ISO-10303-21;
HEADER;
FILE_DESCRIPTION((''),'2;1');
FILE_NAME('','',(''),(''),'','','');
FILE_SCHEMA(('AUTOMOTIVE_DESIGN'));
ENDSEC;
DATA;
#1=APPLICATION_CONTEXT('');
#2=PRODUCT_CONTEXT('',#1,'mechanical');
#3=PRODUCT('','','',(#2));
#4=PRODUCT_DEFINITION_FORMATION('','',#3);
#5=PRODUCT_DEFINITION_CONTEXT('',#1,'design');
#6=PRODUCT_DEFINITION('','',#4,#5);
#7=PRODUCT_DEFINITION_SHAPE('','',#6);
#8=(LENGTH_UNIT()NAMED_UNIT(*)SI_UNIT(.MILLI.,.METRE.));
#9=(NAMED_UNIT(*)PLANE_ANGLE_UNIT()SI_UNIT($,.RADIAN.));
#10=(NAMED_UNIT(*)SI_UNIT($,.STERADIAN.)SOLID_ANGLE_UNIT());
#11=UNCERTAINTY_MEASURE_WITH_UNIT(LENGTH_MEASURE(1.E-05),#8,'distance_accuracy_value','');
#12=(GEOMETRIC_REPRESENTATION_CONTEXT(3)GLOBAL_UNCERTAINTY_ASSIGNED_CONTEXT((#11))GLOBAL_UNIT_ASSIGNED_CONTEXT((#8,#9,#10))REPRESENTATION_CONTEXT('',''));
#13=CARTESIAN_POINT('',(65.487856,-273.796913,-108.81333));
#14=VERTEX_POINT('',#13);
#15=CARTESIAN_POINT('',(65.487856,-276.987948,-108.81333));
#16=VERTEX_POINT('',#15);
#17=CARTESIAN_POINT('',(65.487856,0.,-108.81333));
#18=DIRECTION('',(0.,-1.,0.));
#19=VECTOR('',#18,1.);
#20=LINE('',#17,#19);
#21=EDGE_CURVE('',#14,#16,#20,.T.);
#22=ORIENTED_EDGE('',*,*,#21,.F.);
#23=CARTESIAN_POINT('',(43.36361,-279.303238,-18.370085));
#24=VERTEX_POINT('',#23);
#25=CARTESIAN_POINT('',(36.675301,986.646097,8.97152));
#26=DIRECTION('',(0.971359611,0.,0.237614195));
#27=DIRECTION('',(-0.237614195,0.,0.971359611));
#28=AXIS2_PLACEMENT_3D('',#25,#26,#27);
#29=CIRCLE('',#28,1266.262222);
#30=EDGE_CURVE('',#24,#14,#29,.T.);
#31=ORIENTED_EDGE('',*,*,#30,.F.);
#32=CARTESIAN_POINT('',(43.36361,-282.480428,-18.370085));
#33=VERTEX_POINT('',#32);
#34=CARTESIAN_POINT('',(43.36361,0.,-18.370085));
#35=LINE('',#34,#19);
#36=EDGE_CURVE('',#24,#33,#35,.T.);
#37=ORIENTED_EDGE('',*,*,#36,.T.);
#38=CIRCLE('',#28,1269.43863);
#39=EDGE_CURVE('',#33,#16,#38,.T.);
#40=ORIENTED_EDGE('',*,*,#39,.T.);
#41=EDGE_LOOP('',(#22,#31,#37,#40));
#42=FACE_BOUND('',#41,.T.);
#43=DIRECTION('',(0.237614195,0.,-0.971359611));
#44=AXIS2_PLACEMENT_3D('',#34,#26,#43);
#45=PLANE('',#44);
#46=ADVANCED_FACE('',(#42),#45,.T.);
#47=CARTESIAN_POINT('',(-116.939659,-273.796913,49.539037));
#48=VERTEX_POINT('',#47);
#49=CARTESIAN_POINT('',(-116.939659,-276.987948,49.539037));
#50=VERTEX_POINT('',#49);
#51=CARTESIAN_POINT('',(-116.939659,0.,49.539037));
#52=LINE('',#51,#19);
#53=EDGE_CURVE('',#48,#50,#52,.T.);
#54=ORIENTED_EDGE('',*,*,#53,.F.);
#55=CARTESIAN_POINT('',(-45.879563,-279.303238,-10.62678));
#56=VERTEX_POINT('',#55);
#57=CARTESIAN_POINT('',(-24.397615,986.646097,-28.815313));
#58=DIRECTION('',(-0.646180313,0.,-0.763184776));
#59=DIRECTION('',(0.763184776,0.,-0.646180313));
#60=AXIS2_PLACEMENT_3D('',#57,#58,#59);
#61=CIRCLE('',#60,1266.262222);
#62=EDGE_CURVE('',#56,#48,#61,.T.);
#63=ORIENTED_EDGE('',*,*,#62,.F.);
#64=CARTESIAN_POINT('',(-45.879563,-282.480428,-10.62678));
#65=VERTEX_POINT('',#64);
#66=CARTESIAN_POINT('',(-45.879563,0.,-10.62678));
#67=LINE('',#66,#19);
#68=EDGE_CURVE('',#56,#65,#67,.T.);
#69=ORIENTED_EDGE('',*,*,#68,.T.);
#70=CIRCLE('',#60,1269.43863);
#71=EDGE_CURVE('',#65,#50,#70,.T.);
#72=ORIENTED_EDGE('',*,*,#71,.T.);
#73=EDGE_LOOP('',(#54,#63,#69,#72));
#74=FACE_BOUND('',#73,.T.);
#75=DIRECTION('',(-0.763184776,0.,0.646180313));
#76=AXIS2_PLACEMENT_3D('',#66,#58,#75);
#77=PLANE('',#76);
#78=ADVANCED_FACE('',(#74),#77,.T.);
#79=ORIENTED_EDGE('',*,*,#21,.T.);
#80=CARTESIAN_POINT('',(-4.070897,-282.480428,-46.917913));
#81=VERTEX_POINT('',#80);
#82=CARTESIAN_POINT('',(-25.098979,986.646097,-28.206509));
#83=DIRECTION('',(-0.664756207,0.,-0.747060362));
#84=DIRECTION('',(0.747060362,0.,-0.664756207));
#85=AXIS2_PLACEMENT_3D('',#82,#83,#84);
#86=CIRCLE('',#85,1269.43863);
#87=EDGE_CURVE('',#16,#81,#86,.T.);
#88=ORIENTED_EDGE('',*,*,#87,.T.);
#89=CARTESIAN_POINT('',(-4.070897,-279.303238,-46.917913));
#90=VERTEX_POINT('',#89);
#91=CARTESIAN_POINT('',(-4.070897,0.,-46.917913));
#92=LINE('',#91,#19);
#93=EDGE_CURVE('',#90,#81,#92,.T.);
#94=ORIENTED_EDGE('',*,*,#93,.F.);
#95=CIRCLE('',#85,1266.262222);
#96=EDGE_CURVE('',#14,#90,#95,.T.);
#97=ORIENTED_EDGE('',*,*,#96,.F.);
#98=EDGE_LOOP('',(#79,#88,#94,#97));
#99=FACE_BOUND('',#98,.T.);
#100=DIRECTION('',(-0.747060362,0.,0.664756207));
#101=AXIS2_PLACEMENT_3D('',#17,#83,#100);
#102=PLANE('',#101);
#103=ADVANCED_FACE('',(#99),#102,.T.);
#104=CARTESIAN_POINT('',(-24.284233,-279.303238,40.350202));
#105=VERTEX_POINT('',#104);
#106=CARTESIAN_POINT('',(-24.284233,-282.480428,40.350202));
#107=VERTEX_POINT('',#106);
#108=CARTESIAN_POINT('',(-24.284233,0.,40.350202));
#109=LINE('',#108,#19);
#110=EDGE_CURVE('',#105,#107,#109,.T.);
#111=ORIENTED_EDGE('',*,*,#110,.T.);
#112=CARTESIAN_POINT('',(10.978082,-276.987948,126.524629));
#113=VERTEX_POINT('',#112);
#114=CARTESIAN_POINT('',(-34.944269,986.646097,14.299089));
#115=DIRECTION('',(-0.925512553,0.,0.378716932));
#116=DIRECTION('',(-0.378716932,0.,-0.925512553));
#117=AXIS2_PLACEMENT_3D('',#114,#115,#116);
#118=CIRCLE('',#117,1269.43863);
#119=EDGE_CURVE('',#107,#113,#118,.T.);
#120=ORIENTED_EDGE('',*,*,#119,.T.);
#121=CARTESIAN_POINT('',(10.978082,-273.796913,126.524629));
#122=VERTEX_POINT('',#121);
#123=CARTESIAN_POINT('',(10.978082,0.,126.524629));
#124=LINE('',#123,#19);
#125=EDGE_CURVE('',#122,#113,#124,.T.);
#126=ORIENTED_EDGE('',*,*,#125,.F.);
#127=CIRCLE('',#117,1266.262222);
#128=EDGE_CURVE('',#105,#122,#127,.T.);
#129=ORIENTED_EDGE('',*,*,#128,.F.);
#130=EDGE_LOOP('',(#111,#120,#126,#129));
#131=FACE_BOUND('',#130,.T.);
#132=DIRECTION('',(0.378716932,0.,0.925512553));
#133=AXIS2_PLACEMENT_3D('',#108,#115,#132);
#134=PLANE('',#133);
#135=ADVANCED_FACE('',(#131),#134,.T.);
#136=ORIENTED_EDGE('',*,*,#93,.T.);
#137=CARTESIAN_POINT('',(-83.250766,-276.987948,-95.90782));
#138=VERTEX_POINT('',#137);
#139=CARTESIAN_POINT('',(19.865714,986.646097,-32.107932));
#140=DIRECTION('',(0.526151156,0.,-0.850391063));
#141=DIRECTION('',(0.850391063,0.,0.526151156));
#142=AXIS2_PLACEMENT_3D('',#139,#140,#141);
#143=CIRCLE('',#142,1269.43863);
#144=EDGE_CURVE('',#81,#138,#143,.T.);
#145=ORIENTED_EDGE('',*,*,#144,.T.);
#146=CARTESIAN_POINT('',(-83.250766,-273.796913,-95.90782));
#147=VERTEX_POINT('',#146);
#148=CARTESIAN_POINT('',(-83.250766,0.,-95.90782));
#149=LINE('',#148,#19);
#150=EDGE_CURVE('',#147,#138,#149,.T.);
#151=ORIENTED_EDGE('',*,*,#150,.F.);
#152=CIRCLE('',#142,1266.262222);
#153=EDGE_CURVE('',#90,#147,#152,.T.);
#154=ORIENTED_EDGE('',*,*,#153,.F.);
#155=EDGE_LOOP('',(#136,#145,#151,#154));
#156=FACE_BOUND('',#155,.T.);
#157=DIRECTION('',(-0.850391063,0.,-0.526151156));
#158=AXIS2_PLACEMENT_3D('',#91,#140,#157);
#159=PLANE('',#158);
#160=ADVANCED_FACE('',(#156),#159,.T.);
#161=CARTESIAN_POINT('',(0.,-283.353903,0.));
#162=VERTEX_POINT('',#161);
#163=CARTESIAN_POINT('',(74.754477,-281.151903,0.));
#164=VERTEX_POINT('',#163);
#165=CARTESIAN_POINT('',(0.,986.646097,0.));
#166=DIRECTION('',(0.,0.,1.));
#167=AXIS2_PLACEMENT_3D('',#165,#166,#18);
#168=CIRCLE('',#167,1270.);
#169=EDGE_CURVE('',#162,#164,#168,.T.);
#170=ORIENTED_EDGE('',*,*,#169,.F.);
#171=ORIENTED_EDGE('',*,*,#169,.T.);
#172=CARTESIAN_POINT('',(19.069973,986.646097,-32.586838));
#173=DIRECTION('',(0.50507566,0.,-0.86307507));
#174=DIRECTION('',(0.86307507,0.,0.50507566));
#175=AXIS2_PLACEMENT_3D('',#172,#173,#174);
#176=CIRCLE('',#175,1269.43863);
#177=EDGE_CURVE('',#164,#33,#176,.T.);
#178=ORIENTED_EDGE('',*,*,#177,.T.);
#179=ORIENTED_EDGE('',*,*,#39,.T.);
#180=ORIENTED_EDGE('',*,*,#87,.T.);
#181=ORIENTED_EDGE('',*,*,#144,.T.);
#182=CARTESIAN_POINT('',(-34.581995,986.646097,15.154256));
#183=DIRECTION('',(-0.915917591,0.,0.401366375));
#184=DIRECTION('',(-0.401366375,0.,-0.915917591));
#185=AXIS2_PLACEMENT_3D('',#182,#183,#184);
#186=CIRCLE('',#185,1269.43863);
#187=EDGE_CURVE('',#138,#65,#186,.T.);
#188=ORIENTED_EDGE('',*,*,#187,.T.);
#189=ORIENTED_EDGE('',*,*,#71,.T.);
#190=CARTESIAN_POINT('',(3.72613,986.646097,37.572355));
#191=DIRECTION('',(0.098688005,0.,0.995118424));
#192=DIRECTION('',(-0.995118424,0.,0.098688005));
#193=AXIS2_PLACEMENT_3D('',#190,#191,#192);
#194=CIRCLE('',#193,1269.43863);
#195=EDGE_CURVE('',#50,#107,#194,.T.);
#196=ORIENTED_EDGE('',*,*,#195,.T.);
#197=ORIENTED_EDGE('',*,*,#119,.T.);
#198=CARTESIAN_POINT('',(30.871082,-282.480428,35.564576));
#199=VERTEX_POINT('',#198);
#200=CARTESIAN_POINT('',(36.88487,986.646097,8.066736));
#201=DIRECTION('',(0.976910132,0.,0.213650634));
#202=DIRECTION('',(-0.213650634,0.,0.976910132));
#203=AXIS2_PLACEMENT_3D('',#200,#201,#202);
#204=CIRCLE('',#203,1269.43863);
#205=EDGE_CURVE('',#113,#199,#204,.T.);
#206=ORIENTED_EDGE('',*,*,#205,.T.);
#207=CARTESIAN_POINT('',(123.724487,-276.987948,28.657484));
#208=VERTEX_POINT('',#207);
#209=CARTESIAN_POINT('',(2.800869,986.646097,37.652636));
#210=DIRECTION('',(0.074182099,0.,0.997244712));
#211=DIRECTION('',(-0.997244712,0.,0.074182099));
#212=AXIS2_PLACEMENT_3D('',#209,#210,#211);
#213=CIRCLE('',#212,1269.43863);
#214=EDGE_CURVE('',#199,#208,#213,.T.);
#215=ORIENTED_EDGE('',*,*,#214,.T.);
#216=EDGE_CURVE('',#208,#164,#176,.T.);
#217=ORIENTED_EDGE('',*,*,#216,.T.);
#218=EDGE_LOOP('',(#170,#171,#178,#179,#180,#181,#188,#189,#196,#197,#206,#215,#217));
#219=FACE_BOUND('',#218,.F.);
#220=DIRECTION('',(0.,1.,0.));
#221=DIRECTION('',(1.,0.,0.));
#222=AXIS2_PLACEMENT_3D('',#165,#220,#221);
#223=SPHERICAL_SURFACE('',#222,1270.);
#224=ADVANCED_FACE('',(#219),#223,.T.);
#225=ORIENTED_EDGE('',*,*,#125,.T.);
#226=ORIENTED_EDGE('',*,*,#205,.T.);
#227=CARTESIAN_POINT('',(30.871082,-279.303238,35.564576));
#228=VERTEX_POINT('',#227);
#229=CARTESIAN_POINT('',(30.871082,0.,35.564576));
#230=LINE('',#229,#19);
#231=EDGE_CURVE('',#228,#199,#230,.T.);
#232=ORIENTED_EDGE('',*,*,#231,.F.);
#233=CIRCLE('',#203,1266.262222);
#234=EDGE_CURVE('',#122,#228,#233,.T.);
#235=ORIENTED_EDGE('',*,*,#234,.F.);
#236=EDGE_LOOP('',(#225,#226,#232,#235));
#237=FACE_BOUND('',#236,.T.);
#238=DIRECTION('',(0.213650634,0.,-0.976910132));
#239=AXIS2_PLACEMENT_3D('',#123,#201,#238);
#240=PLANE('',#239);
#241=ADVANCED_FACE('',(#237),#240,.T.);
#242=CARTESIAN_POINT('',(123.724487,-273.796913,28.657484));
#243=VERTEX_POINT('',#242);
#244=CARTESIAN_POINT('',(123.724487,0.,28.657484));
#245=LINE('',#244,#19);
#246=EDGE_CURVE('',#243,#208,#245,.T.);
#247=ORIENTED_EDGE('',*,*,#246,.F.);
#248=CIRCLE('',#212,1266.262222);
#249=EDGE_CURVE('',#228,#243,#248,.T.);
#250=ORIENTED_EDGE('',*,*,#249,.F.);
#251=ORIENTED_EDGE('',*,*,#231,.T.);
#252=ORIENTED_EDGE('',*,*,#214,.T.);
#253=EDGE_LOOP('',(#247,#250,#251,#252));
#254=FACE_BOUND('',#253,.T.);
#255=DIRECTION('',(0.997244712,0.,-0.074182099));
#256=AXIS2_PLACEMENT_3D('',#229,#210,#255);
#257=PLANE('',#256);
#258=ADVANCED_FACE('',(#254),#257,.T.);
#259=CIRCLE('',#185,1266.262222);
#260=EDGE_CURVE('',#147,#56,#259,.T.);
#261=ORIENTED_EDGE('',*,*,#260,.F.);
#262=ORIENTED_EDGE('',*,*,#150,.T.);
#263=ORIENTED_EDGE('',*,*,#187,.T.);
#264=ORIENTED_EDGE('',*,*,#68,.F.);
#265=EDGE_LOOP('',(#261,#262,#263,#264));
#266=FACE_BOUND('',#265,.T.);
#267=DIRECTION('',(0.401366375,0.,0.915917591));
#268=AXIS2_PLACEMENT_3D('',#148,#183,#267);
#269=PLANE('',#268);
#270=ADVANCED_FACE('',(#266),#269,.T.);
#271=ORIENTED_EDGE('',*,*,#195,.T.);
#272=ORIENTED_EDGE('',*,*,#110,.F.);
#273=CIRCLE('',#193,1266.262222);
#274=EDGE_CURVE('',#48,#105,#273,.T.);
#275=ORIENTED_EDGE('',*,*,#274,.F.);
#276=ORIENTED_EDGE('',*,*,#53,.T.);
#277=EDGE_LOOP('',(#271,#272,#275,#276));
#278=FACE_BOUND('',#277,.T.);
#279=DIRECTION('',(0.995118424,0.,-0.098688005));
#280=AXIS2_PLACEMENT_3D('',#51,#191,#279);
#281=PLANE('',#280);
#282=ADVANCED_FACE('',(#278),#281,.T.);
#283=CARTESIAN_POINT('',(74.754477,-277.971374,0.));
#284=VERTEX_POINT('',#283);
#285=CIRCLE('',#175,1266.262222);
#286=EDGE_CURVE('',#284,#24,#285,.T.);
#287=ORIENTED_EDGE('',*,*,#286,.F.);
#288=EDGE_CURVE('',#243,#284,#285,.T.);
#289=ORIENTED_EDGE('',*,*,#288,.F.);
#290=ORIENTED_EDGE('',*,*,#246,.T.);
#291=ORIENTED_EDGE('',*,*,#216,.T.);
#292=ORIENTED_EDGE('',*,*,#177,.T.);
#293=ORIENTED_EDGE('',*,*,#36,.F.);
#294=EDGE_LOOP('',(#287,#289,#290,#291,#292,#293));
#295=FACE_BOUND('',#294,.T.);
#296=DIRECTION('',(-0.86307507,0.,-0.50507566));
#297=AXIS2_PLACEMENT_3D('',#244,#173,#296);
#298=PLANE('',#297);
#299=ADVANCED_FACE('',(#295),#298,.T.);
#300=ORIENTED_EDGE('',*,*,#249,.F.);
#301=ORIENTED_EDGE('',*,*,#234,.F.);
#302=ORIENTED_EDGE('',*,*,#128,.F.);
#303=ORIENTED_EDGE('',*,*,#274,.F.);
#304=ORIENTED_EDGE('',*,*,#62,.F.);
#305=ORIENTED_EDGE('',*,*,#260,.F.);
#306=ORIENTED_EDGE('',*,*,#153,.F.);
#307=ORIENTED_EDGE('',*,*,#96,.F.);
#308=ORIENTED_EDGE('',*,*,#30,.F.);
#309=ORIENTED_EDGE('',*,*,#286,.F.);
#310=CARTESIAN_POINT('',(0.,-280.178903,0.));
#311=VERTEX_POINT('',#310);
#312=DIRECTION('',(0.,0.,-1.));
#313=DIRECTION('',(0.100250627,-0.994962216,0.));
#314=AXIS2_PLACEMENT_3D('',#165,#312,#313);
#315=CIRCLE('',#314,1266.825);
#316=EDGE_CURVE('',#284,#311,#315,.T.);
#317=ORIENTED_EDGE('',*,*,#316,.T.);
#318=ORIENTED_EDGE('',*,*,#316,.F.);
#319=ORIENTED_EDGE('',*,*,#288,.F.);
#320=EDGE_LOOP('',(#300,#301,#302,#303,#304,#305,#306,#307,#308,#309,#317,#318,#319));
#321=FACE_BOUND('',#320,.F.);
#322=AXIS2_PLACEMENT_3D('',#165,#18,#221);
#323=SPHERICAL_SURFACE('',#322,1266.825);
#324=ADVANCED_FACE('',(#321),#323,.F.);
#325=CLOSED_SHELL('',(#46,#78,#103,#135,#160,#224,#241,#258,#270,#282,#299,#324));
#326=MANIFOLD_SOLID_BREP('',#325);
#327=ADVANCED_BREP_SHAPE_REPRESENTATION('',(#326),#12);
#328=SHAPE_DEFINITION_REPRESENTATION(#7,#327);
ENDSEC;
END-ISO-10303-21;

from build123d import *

# Parameters (mm, degrees)
F3_DEPTH = 283.3549028797


with BuildPart() as f1:
    # F0 (on Top) → F1 (revolve)
    with BuildSketch(Plane.XY):
        with BuildLine():
            Line((0, -280.1789028797), (0, -283.3539028797))
            ThreePointArc((0, -283.3539028797), (63.5797243259, -281.7614157298), (127, -276.9879480051))
            Line((127, -276.9879480051), (127, -273.7969125493))
            ThreePointArc((127, -273.7969125493), (63.5801262199, -278.5823993082), (0, -280.1789028797))
        make_face()
    revolve(axis=Axis((0, -280.1789028797, 0), (0, -1, 0)))

    # F2 (on Front) → F3 (cut, through all)
    with BuildSketch(Plane.XZ):
        with BuildLine():
            ThreePointArc((-116.9396589005, 49.5390368924), (-123.7244866651, -28.6574841789), (-83.2507657642, -95.907820326))
            Line((-83.2507657642, -95.907820326), (-45.8795627998, -10.6267795528))
            Line((-45.8795627998, -10.6267795528), (-116.9396589005, 49.5390368924))
        make_face()
        with BuildLine():
            ThreePointArc((-83.2507657642, -95.907820326), (-10.9780819308, -126.5246288954), (65.4878560688, -108.8133296408))
            Line((65.4878560688, -108.8133296408), (-4.0708966587, -46.9179126428))
            Line((-4.0708966587, -46.9179126428), (-83.2507657642, -95.907820326))
        make_face()
        with BuildLine():
            ThreePointArc((65.4878560688, -108.8133296408), (110.5575816503, -62.4981690902), (127, 0))
            ThreePointArc((127, 0), (126.1784644986, 14.4220351119), (123.7244866651, 28.6574841789))
            Line((123.7244866651, 28.6574841789), (43.3636103, -18.3700851417))
            Line((43.3636103, -18.3700851417), (65.4878560688, -108.8133296408))
        make_face()
        with BuildLine():
            Line((30.871081699, 35.564575649), (123.7244866651, 28.6574841789))
            ThreePointArc((123.7244866651, 28.6574841789), (83.2507657642, 95.907820326), (10.9780819308, 126.5246288954))
            Line((10.9780819308, 126.5246288954), (30.871081699, 35.564575649))
        make_face()
        with BuildLine():
            Line((-24.2842325405, 40.3502016882), (10.9780819308, 126.5246288954))
            ThreePointArc((10.9780819308, 126.5246288954), (-65.4878560688, 108.8133296408), (-116.9396589005, 49.5390368924))
            Line((-116.9396589005, 49.5390368924), (-24.2842325405, 40.3502016882))
        make_face()
    extrude(amount=F3_DEPTH, mode=Mode.SUBTRACT)


solid = f1.part
